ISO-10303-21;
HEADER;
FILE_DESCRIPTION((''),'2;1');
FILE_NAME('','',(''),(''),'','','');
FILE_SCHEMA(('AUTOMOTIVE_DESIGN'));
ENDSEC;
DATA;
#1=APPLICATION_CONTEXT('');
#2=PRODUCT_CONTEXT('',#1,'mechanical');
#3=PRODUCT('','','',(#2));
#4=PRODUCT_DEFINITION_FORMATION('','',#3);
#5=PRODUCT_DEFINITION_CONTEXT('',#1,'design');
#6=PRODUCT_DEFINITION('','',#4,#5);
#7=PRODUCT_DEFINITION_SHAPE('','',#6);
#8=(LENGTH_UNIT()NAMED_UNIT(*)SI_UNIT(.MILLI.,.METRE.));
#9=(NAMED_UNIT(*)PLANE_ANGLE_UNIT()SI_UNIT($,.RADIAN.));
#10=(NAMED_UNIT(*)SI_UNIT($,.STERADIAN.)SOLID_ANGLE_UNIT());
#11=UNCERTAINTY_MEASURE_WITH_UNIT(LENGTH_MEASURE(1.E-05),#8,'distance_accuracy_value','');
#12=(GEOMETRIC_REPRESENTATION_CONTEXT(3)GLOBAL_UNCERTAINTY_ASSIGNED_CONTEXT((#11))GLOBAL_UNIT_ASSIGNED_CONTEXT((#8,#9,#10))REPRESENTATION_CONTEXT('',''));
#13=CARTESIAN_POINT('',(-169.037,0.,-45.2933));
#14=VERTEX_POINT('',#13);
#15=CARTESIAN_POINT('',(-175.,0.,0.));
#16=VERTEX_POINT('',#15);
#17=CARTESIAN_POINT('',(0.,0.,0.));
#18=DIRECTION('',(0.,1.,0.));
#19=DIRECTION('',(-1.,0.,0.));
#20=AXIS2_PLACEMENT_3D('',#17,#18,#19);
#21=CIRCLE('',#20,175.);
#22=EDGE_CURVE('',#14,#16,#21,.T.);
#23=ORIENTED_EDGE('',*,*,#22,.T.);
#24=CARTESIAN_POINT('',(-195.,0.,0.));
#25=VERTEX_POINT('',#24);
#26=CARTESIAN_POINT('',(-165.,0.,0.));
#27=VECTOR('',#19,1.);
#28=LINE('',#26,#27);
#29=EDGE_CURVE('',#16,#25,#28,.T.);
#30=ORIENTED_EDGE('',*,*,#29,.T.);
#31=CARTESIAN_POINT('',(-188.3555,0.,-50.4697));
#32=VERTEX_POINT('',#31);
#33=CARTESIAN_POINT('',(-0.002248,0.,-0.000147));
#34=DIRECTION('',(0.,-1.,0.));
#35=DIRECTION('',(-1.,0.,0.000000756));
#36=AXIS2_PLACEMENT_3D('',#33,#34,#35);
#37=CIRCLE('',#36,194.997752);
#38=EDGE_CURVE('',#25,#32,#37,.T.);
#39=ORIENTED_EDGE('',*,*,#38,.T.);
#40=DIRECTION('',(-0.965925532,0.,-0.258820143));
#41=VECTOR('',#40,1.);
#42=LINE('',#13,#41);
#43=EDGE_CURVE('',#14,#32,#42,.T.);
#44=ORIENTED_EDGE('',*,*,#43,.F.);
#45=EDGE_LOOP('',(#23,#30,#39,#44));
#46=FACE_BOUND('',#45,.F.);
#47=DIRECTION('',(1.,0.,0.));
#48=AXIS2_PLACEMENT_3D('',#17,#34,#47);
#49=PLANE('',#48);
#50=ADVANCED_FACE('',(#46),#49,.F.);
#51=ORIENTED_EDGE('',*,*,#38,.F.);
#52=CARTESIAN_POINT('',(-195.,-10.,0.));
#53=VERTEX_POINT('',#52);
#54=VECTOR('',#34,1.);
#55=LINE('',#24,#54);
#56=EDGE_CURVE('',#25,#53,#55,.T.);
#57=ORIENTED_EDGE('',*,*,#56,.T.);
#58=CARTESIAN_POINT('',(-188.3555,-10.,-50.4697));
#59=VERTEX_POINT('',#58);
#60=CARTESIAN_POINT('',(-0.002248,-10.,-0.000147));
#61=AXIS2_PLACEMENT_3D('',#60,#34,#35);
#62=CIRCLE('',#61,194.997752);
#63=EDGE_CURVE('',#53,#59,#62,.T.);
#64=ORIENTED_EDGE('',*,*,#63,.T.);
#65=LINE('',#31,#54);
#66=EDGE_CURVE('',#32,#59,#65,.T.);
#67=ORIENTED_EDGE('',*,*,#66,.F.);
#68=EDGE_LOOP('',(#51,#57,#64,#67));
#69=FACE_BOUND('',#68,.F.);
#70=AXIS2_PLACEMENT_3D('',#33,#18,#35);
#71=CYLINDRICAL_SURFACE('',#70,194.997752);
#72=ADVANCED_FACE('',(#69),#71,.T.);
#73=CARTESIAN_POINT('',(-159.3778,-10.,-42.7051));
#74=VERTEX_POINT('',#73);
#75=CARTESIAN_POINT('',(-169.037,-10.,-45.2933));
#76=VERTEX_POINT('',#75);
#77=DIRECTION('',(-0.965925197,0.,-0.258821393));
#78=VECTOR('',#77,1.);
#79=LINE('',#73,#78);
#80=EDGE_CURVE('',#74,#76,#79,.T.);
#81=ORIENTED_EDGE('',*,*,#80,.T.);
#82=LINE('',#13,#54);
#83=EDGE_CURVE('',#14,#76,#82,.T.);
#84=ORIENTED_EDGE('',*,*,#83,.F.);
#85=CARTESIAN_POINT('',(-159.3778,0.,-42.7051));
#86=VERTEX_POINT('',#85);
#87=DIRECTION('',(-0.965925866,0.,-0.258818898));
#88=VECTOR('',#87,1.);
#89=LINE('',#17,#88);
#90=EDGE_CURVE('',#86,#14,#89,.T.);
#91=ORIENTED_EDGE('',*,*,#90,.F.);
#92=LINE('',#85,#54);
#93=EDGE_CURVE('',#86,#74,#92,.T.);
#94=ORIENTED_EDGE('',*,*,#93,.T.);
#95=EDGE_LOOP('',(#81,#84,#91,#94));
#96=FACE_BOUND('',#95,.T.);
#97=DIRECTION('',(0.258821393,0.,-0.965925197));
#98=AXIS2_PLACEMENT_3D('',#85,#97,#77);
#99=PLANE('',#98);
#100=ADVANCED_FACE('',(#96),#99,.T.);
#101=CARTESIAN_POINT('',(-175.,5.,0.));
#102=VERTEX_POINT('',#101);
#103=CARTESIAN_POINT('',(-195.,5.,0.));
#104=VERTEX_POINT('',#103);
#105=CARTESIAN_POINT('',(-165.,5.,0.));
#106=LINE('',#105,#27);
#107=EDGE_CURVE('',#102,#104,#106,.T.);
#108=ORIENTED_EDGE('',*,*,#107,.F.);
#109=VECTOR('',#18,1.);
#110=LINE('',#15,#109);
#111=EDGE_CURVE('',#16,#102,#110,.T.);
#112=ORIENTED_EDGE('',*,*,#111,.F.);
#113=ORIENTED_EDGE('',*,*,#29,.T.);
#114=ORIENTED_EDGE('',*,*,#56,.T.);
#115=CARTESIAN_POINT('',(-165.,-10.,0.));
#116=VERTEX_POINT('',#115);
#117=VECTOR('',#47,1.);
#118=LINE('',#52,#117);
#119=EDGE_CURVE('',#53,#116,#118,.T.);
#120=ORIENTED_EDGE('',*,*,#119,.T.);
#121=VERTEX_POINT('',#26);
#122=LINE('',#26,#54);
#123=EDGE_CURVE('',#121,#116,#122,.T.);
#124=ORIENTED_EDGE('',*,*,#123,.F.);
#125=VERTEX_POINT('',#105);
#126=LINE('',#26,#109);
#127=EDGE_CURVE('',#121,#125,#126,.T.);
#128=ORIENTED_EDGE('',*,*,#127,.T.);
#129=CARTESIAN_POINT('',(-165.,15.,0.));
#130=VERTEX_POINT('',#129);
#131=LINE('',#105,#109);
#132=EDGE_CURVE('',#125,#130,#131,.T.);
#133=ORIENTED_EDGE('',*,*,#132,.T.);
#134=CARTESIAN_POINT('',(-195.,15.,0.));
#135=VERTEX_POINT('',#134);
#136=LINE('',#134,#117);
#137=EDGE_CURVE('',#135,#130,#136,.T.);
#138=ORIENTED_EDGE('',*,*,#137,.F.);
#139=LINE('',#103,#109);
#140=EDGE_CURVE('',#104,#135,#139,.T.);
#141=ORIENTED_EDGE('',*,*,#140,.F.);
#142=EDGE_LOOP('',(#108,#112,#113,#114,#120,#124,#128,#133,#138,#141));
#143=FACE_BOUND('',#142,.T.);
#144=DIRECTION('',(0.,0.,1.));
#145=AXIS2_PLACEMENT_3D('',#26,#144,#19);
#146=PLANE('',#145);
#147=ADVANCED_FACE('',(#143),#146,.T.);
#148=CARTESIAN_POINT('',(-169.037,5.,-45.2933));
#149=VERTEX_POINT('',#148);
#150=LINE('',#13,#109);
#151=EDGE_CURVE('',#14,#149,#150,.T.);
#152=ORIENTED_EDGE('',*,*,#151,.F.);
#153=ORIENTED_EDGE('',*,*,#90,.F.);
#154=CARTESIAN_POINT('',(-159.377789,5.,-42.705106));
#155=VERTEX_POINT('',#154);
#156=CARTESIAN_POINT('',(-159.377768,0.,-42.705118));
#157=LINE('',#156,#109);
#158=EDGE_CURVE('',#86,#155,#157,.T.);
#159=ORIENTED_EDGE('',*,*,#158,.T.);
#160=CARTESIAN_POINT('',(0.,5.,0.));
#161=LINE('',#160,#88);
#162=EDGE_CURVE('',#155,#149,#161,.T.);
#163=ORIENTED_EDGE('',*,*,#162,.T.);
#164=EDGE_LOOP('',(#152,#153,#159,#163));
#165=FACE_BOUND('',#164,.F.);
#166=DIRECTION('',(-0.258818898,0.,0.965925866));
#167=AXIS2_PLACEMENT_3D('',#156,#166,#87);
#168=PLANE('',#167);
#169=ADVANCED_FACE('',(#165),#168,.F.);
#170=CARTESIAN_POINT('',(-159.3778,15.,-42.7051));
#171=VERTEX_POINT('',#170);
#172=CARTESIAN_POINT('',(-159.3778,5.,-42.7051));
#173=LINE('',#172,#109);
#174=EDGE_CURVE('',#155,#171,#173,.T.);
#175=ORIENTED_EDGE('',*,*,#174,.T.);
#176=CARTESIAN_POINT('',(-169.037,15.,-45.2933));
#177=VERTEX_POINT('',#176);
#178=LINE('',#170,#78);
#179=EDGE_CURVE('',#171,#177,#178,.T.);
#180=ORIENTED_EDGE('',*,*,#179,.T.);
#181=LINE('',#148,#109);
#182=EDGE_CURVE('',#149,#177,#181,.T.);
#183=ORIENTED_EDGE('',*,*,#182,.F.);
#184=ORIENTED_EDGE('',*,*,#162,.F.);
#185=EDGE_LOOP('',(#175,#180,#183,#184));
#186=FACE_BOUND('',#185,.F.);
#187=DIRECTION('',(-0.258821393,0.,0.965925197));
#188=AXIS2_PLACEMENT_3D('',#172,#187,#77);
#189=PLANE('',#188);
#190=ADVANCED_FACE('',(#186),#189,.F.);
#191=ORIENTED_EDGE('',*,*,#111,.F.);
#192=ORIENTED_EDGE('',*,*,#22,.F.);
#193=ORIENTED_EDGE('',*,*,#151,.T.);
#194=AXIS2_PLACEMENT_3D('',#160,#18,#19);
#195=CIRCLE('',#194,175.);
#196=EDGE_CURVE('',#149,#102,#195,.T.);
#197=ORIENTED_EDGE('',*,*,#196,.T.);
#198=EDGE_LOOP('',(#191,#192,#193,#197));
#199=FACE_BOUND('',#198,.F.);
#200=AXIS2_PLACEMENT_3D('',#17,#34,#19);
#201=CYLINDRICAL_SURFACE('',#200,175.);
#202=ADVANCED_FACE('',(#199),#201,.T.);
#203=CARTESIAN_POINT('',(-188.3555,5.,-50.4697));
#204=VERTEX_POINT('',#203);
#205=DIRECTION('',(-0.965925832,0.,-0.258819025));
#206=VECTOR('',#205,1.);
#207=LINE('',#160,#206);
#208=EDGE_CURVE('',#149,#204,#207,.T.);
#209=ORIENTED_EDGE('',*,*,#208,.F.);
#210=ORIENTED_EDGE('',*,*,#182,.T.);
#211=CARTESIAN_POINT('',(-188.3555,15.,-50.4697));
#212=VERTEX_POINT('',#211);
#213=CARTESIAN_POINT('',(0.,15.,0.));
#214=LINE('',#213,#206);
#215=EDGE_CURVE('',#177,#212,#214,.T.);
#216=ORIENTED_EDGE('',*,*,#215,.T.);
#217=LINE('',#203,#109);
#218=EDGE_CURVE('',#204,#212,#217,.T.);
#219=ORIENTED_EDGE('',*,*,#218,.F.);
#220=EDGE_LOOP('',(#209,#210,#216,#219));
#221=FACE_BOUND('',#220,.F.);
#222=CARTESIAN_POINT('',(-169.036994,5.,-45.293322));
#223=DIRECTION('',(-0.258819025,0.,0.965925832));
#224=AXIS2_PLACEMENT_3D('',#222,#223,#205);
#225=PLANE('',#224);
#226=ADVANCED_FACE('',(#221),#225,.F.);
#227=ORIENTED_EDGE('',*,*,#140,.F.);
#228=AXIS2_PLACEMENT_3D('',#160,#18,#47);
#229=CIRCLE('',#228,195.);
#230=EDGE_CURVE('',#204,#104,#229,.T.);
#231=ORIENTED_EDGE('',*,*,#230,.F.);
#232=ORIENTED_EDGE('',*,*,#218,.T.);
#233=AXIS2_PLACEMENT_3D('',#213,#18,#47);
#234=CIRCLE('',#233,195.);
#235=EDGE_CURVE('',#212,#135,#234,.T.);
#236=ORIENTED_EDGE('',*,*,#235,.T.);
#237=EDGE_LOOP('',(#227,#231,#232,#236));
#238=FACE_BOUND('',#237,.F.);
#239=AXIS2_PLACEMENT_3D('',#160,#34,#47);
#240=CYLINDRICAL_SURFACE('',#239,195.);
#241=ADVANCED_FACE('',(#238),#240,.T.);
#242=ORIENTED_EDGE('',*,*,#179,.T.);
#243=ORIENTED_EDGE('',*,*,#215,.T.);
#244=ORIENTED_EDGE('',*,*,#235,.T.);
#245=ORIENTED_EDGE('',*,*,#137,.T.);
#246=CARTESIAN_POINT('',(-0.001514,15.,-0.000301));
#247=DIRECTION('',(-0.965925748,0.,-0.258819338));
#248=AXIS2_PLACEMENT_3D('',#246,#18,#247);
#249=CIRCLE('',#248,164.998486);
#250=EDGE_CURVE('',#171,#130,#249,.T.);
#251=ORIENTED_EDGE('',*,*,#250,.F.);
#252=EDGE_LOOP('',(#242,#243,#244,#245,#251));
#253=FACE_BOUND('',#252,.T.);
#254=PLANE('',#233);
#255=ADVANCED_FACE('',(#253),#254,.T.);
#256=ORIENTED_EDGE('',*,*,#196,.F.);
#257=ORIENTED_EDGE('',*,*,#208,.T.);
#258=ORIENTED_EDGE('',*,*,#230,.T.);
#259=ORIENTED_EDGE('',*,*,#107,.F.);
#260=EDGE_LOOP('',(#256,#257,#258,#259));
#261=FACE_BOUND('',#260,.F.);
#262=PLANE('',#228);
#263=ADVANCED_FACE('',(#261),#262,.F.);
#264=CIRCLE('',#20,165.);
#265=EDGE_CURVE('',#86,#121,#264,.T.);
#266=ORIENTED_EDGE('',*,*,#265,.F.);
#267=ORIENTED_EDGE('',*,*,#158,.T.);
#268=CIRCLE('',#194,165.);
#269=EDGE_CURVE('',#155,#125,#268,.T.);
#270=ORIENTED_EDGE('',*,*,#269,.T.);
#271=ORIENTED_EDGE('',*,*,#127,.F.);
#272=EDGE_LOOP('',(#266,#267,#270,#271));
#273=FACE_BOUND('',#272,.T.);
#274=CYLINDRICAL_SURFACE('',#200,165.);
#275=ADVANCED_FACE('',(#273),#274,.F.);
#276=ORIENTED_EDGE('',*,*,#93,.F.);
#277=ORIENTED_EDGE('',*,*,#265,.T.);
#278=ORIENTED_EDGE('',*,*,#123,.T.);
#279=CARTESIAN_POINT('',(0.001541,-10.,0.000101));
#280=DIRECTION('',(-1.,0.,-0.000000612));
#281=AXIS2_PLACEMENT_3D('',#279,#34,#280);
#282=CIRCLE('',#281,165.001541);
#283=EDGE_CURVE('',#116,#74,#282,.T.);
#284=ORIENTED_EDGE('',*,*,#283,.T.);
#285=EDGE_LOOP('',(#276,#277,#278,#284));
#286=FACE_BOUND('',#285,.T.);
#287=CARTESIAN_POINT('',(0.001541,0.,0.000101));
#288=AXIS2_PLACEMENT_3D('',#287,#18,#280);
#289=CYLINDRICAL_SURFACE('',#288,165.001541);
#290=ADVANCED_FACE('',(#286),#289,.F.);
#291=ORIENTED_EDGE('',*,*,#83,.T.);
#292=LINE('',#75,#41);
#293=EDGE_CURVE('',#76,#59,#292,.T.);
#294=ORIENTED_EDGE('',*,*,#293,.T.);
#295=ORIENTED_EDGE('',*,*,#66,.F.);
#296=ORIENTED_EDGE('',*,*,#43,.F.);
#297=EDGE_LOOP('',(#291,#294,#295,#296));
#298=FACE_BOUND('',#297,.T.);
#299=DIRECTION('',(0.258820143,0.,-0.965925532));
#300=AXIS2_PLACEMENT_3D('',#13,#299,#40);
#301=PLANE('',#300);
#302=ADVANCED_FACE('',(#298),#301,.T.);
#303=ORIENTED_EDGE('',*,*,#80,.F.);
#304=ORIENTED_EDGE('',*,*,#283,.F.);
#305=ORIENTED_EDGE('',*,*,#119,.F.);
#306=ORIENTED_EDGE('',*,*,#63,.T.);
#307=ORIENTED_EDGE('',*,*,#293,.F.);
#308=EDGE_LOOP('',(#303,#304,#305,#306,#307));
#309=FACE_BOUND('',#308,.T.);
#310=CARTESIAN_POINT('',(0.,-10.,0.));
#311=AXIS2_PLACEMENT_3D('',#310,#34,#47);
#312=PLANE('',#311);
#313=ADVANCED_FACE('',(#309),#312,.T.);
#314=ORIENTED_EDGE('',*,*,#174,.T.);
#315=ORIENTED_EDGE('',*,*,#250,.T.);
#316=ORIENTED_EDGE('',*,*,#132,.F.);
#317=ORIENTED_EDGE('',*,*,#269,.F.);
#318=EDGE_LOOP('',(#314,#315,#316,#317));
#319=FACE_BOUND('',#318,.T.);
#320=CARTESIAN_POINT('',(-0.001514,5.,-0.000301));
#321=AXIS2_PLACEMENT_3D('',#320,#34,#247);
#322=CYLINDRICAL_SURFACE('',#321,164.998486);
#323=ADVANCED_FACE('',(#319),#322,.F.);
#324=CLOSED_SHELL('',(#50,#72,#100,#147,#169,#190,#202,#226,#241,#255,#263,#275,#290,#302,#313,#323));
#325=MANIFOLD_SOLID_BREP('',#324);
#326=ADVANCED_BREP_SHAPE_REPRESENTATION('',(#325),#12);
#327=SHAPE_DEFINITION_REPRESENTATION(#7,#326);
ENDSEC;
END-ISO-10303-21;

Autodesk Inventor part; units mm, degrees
ref_plane "YZ Plane" through (0, 0, 0) normal (1, 0, 0) x (0, 1, 0)
ref_plane "XZ Plane" through (0, 0, 0) normal (0, 1, 0) x (-1, 0, 0)
ref_plane "XY Plane" through (0, 0, 0) normal (0, 0, 1) x (1, 0, 0)
sketch "Sketch1" plane through (0, 0, 0) normal (0, 1, 0) x (-1, 0, 0)
  circle A0 centre (0, 0) radius 165
  circle A1 centre (0, 0) radius 175
  line L0 (0, 0) -> (175, 0)
  line L1 (0, 0) -> (169.037, -45.2933)
  point P0 (159.3778, -42.7051)
  point P1 (165, 0)
  dimension "d0" = 10
  dimension "d1" = 330
  dimension "d2" = 15
extrude "Extrusion1" add sketch "Sketch1" along normal blind 5 contours L0 A1 L1 A0 picked at (171.4447, -5.0841)
sketch "Sketch3" plane through (0, 5, 0) normal (0, 1, 0) x (1, 0, 0)
  arc A0 (-169.037, 45.2933) -> (-175, 0) centre (0, 0) ccw projected
  line L0 (-175, 0) -> (-165, 0) projected
  arc A1 (-159.3778, 42.7051) -> (-165, 0) centre (0, 0) ccw projected
  line L1 (-159.3778, 42.7051) -> (-169.037, 45.2933) projected
  circle A2 centre (0, 0) radius 175
  circle A3 centre (0, 0) radius 165
  circle A4 centre (0, 0) radius 195
  line L2 (0, 0) -> (-188.3555, 50.4697)
  line L3 (0, 0) -> (-195, 0)
  point P0 (-175, 0)
  dimension "d10" = 20
extrude "Extrusion2" add sketch "Sketch3" along normal blind 10 contours L1 A1 L0 A0 | A0 L3 A4 L2
sketch "Sketch4" plane through (0, 0, 0) normal (0, -1, 0) x (1, 0, 0)
  arc A0 (-195, 0) -> (-188.3555, -50.4697) centre (0, 0) ccw projected
  arc A1 (-175, 0) -> (-169.037, -45.2933) centre (0, 0) ccw projected
  line L0 (-159.3778, -42.7051) -> (-169.037, -45.2933) projected
  arc A2 (-165, 0) -> (-159.3778, -42.7051) centre (0, 0) ccw projected
  line L1 (-175, 0) -> (-165, 0) projected
  circle A3 centre (0, 0) radius 175
  circle A4 centre (0, 0) radius 195
  line L2 (0, 0) -> (-175, 0)
  line L3 (0, 0) -> (-169.037, -45.2933)
  arc A5 (-175, 0) -> (-169.037, -45.2933) centre (0, 0) ccw projected
  line L4 (-195, 0) -> (-175, 0) projected
  line L5 (-169.037, -45.2933) -> (-188.3555, -50.4697) projected
  point P0 (-169.037, -45.2933)
extrude "Extrusion3" add sketch "Sketch4" along normal blind 10 contours L4 A1 L5 A0 | L1 A2 L0 A1
properties part number "Moving Carousel Base Inner Clip" material "PLA Plastic"
